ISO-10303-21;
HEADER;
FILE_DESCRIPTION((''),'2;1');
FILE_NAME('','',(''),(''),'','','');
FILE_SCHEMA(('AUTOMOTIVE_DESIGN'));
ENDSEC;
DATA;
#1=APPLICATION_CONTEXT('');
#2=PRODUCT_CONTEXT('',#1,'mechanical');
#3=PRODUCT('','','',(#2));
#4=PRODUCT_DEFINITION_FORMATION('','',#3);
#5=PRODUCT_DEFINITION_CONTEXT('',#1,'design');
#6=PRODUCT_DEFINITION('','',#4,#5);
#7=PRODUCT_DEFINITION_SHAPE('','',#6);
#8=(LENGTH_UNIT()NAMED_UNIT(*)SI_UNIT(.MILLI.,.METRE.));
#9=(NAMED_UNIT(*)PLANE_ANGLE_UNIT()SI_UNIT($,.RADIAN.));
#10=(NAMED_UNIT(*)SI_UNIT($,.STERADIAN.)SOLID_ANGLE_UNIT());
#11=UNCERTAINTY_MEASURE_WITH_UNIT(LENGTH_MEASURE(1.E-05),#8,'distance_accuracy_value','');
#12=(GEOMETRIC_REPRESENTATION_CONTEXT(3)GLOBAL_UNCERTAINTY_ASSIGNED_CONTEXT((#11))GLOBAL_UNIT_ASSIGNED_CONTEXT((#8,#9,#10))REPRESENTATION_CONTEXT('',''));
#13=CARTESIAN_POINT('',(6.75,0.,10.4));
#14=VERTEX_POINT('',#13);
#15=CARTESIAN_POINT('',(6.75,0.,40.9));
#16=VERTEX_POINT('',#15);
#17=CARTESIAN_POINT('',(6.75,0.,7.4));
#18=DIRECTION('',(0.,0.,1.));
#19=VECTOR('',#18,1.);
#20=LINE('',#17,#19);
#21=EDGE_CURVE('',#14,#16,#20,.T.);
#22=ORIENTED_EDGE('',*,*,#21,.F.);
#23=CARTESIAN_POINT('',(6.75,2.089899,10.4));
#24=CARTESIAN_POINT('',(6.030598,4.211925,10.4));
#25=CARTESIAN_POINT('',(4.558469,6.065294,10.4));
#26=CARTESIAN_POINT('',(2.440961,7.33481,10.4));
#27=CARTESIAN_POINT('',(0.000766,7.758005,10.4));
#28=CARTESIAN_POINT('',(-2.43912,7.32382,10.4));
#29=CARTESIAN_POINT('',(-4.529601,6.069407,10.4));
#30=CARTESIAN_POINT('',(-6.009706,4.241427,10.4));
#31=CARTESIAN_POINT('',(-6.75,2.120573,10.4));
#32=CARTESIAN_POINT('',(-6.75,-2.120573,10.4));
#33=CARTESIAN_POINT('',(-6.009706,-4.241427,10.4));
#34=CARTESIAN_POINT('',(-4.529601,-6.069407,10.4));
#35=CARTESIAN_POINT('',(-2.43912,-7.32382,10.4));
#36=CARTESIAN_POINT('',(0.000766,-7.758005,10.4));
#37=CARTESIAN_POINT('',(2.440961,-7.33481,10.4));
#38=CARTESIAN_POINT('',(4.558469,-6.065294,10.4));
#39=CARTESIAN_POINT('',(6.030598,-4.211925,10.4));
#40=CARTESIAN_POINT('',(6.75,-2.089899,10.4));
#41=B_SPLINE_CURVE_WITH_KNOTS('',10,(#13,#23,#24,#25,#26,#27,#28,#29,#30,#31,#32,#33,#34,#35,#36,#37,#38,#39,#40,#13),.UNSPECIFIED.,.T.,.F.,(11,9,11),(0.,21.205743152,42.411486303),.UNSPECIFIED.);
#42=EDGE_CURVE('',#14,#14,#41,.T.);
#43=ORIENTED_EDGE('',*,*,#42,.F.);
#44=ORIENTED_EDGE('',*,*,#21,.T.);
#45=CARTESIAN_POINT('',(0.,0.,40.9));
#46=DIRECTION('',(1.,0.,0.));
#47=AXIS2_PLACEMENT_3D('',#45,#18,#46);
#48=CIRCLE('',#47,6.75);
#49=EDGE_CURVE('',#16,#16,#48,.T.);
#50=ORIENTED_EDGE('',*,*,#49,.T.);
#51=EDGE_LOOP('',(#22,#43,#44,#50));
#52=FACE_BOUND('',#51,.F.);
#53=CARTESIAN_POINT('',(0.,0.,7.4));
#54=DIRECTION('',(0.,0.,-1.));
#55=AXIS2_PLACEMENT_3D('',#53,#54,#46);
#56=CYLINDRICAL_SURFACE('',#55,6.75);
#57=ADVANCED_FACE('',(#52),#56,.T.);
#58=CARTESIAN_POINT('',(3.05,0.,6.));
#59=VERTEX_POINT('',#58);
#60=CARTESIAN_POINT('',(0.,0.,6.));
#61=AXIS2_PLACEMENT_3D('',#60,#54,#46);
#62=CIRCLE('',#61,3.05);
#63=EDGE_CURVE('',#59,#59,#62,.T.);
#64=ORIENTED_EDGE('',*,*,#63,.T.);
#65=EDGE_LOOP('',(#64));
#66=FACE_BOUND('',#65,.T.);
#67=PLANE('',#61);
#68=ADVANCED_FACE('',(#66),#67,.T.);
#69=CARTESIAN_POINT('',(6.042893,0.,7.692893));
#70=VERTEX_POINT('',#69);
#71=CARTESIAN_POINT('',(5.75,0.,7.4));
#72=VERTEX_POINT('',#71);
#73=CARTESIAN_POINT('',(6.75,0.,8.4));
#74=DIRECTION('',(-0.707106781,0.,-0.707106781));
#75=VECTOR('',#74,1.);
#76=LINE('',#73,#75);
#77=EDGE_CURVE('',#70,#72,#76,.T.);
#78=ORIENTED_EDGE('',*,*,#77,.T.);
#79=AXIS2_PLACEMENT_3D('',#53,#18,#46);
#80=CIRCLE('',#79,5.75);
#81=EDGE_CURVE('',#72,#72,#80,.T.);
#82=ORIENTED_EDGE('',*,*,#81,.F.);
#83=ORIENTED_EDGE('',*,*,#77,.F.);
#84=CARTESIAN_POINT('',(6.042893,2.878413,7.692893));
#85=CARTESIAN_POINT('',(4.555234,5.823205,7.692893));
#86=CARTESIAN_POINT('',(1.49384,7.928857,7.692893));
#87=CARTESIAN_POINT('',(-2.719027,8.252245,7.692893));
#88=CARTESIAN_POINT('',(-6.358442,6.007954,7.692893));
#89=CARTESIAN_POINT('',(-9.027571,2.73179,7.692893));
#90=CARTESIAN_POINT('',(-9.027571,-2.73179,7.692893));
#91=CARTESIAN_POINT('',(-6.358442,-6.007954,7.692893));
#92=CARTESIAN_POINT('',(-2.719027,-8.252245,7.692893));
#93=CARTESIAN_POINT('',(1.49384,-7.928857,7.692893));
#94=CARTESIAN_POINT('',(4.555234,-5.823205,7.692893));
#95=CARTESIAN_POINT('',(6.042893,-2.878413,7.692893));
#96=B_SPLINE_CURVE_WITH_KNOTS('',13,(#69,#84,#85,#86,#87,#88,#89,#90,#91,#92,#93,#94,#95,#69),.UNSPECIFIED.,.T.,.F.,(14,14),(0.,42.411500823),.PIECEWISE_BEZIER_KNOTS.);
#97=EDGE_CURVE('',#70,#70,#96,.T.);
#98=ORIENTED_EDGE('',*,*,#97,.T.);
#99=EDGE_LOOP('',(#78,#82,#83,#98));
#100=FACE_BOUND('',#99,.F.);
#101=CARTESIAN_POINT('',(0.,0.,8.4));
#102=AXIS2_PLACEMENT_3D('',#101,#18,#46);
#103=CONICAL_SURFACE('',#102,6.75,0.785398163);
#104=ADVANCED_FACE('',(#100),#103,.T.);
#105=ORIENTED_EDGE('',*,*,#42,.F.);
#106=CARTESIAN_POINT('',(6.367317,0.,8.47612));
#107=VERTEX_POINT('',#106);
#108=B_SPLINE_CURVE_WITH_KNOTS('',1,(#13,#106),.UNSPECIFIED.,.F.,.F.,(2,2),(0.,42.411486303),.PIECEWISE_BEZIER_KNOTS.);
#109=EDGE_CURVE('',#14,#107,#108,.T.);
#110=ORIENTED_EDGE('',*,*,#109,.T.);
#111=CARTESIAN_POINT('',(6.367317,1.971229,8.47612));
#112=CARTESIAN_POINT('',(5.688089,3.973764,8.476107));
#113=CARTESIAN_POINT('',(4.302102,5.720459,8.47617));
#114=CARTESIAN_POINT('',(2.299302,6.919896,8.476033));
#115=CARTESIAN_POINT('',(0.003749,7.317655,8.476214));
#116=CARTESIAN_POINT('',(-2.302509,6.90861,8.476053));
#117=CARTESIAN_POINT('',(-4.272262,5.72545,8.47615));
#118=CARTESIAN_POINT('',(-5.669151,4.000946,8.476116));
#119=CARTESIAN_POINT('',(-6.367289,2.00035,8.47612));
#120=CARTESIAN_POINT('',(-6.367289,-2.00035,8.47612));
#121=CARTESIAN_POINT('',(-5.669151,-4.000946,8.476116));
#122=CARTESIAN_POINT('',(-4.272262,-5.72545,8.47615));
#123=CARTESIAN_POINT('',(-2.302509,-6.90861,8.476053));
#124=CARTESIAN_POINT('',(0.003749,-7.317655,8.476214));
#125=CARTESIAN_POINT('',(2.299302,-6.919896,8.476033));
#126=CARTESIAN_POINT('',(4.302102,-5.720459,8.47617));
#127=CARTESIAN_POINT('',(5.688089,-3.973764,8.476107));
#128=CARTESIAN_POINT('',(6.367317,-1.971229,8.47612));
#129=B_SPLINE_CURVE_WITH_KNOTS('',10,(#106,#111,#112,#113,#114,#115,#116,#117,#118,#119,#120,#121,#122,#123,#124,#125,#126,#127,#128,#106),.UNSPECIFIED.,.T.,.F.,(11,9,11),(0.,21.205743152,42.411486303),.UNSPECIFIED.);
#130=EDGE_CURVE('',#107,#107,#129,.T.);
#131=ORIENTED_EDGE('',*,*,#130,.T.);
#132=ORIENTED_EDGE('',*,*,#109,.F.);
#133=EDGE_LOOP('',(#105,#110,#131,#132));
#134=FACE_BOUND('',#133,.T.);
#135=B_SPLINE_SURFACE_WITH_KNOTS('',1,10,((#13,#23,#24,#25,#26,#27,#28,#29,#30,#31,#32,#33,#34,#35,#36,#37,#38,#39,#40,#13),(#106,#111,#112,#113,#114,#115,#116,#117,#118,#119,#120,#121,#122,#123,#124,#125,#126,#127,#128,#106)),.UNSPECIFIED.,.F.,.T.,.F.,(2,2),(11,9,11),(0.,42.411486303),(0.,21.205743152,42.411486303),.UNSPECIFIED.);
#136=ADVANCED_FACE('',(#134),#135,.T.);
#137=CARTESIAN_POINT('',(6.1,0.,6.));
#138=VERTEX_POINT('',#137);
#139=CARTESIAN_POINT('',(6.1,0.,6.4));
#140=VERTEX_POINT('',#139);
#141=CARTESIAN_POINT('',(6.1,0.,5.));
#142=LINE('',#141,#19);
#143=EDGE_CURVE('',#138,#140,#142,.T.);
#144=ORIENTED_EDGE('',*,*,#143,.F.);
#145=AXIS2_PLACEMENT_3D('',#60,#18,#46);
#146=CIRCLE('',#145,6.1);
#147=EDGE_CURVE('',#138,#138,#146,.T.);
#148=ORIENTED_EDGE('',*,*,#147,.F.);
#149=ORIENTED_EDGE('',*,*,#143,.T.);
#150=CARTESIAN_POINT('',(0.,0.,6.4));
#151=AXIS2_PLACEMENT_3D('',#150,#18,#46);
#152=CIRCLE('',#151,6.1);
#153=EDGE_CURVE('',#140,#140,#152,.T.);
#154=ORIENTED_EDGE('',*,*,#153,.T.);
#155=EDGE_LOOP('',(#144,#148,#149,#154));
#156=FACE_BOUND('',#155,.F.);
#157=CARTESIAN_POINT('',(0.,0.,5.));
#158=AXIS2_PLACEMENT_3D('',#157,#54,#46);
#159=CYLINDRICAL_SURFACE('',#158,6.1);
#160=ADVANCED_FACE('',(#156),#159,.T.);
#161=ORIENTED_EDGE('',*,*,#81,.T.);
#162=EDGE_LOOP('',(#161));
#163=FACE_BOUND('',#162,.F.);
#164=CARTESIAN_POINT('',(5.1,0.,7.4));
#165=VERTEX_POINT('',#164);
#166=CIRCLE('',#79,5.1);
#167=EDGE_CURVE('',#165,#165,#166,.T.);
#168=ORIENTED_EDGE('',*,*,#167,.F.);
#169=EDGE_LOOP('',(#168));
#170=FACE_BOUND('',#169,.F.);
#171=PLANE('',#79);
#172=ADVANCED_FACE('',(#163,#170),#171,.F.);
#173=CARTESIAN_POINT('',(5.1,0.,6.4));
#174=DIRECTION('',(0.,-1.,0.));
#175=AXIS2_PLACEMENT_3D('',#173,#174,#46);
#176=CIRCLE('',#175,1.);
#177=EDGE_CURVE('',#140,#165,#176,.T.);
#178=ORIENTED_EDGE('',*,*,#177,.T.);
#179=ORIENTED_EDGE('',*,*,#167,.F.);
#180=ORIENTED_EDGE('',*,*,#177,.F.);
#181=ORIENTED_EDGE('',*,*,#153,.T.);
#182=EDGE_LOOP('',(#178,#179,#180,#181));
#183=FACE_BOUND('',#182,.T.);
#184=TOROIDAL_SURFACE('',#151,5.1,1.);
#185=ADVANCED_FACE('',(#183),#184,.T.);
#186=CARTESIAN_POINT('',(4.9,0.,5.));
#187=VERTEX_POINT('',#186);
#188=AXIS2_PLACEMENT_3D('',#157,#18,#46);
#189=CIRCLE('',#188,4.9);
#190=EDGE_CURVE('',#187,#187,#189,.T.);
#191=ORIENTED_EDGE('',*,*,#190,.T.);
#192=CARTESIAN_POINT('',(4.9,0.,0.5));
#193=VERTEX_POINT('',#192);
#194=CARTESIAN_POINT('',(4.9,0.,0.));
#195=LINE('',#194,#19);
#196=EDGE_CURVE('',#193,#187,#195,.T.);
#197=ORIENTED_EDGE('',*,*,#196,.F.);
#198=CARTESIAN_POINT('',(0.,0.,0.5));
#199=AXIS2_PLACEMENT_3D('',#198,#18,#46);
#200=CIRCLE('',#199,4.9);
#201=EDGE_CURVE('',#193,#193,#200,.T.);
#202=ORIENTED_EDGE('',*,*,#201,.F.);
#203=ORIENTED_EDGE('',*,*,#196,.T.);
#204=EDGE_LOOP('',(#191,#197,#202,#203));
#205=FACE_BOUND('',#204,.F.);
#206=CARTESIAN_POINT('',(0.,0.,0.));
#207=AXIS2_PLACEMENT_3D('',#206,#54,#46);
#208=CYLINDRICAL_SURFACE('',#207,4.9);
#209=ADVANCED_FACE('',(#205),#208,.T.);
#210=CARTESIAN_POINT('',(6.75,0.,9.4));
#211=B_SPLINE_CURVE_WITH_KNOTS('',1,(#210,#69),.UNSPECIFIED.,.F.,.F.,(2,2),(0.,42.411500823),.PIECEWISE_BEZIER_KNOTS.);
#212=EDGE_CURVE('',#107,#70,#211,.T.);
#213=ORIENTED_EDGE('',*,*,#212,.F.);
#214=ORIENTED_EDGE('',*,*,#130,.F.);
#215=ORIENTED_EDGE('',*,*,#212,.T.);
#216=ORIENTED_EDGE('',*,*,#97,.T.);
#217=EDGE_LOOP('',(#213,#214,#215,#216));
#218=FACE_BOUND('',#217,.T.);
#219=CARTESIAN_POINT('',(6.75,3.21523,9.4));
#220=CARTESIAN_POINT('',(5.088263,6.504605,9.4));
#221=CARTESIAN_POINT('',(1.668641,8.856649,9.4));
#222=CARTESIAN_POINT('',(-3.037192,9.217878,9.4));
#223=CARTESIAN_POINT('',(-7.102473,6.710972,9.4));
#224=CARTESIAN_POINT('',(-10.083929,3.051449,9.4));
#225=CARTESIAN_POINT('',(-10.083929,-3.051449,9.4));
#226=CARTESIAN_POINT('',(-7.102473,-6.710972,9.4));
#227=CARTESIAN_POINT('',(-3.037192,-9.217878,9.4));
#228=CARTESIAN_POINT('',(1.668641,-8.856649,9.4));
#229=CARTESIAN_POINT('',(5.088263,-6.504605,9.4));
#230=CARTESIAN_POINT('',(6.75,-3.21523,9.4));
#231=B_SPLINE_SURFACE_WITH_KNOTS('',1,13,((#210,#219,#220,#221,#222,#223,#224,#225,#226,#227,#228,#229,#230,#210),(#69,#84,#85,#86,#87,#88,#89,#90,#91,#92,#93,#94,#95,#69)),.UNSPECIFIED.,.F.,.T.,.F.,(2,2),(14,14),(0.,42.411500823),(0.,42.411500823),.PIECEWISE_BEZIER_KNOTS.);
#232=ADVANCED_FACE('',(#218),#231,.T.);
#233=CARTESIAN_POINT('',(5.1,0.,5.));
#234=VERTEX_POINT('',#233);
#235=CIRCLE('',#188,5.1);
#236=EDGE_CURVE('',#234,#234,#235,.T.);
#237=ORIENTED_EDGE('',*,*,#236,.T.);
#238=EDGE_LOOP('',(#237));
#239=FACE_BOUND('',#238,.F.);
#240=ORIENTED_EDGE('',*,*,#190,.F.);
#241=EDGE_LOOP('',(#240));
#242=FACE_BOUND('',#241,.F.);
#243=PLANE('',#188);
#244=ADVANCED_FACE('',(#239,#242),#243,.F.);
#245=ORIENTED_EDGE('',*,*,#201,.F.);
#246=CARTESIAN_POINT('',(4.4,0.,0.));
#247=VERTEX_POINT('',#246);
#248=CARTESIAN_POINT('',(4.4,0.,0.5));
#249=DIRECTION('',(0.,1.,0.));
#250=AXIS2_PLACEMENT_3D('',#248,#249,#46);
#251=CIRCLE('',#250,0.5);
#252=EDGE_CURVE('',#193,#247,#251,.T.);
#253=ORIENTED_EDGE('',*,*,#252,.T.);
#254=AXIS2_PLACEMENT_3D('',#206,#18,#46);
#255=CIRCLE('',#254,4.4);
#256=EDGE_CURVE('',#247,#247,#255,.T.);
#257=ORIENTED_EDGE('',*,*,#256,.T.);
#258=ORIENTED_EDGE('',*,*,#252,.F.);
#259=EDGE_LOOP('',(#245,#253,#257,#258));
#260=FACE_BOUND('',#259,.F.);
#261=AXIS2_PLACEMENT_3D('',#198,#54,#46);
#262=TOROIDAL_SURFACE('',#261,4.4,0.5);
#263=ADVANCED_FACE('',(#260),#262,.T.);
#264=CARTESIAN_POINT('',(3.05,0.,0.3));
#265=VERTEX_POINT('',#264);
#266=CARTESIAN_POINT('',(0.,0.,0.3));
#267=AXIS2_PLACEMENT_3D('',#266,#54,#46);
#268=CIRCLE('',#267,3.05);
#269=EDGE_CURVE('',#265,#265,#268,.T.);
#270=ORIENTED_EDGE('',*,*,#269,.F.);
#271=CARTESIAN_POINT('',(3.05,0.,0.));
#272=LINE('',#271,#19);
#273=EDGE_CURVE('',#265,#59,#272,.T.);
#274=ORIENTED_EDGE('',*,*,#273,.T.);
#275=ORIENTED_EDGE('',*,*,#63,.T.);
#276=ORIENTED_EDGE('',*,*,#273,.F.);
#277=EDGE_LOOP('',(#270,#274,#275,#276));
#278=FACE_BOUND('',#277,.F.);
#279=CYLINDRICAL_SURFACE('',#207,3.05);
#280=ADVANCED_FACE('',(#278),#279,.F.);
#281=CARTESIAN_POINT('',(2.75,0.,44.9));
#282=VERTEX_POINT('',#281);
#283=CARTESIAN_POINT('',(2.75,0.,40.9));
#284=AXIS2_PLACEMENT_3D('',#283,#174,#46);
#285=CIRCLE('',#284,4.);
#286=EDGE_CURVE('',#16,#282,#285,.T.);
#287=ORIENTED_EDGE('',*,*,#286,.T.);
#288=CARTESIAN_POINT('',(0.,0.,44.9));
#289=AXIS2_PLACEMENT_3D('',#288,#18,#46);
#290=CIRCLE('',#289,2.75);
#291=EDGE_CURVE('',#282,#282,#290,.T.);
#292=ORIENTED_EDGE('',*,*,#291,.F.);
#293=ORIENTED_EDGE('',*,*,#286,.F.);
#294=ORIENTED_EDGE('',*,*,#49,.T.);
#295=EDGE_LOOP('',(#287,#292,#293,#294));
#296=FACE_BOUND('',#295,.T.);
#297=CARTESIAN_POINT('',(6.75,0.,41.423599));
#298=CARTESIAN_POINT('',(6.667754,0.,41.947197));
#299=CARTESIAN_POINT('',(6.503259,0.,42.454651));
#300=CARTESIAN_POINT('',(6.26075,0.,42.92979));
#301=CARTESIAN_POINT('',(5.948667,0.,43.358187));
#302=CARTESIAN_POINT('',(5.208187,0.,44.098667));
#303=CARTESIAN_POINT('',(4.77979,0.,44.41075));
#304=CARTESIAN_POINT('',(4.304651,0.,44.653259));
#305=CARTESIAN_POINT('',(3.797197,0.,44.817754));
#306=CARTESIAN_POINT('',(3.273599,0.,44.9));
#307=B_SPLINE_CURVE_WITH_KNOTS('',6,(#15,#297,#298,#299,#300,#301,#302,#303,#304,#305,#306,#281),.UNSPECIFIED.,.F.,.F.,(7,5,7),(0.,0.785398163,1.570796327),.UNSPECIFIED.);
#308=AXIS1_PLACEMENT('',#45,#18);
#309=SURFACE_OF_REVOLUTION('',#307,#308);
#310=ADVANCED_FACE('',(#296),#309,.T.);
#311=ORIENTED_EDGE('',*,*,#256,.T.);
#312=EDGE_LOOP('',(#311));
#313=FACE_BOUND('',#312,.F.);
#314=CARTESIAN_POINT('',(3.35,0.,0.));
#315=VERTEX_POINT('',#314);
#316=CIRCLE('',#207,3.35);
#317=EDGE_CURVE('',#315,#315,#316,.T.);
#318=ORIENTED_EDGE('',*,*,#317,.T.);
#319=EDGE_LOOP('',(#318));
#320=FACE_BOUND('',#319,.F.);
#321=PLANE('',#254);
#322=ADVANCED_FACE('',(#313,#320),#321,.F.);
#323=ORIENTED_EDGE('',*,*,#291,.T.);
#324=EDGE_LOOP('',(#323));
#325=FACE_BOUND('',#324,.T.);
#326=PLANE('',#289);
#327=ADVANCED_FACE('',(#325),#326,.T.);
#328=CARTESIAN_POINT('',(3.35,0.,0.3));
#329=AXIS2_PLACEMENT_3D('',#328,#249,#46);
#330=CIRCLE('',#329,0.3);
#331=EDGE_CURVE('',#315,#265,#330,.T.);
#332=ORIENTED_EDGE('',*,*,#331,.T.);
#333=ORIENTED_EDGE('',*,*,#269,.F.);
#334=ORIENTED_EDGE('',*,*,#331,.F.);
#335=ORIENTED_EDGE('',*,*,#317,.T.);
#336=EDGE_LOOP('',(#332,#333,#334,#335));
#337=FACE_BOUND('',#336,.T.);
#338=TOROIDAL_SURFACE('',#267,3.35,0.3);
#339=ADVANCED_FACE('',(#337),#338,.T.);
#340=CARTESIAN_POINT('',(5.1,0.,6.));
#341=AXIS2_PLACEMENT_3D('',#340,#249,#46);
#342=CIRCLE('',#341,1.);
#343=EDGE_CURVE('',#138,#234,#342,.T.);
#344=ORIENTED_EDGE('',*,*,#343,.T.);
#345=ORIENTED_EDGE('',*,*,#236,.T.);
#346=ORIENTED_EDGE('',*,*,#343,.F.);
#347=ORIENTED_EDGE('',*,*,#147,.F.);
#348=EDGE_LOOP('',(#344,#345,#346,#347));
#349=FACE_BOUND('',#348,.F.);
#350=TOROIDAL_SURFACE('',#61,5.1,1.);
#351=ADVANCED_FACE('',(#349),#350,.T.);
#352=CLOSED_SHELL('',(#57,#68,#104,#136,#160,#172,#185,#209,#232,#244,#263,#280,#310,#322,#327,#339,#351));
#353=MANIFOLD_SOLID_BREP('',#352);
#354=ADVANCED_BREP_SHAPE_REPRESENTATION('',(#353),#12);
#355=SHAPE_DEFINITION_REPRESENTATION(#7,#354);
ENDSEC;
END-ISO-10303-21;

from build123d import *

# Parameters (mm, degrees)
SKETCH037_R     = 4.9
PAD032_DEPTH    = 5
SKETCH038_R     = 6.1
PAD033_DEPTH    = 2.4
FILLET002_R     = 1
FILLET003_R     = 0.5
SKETCH039_R     = 6.75
PAD034_DEPTH    = 37.5
FILLET004_R     = 4
CHAMFER_SIZE    = 1
CHAMFER001_SIZE = 1
CHAMFER002_SIZE = 1
SKETCH040_R     = 3.05
POCKET008_DEPTH = 6
FILLET005_R     = 0.3


with BuildPart() as part:
    # Sketch037 → Pad032 (new body)
    with BuildSketch(Plane.XY):
        Circle(SKETCH037_R)
    extrude(amount=PAD032_DEPTH)

    # Sketch038 (on Face3 of Pad032) → Pad033 (join)
    with BuildSketch(Plane.XY.offset(5)):
        Circle(SKETCH038_R)
    extrude(amount=PAD033_DEPTH)

    # Fillet002
    fillet002_edges = [part.edges().sort_by_distance(p)[0] for p in [
        (-6.1, 0, 7.4),
        (-6.1, 0, 5),
    ]]
    fillet(fillet002_edges, radius=FILLET002_R)

    # Fillet003
    fillet003_edges = [part.edges().sort_by_distance(p)[0] for p in [
        (-4.9, 0, 0),
    ]]
    fillet(fillet003_edges, radius=FILLET003_R)

    # Sketch039 (on Face8 of Fillet003) → Pad034 (join)
    with BuildSketch(Plane.XY.offset(7.4)):
        Circle(SKETCH039_R)
    extrude(amount=PAD034_DEPTH)

    # Fillet004
    fillet004_edges = [part.edges().sort_by_distance(p)[0] for p in [
        (-6.75, 0, 44.9),
    ]]
    fillet(fillet004_edges, radius=FILLET004_R)

    # Chamfer
    chamfer_edges = [part.edges().sort_by_distance(p)[0] for p in [
        (-6.75, 0, 7.4),
    ]]
    chamfer(chamfer_edges, length=CHAMFER_SIZE)

    # Chamfer001
    chamfer001_edges = [part.edges().sort_by_distance(p)[0] for p in [
        (-6.75, 0, 8.4),
    ]]
    chamfer(chamfer001_edges, length=CHAMFER001_SIZE)

    # Chamfer002
    chamfer002_edges = [part.edges().sort_by_distance(p)[0] for p in [
        (-6.749971, 0, 9.4),
    ]]
    chamfer(chamfer002_edges, length=CHAMFER002_SIZE)

    # Sketch040 (on Face14 of Chamfer002) → Pocket008 (cut)
    with BuildSketch(Plane(origin=(0, 0, 0), x_dir=(1, 0, 0), z_dir=(0, 0, -1))):
        Circle(SKETCH040_R)
    extrude(amount=-POCKET008_DEPTH, mode=Mode.SUBTRACT)

    # Fillet005
    fillet005_edges = [part.edges().sort_by_distance(p)[0] for p in [
        (-3.05, 0, 0),
    ]]
    fillet(fillet005_edges, radius=FILLET005_R)


solid = part.part
